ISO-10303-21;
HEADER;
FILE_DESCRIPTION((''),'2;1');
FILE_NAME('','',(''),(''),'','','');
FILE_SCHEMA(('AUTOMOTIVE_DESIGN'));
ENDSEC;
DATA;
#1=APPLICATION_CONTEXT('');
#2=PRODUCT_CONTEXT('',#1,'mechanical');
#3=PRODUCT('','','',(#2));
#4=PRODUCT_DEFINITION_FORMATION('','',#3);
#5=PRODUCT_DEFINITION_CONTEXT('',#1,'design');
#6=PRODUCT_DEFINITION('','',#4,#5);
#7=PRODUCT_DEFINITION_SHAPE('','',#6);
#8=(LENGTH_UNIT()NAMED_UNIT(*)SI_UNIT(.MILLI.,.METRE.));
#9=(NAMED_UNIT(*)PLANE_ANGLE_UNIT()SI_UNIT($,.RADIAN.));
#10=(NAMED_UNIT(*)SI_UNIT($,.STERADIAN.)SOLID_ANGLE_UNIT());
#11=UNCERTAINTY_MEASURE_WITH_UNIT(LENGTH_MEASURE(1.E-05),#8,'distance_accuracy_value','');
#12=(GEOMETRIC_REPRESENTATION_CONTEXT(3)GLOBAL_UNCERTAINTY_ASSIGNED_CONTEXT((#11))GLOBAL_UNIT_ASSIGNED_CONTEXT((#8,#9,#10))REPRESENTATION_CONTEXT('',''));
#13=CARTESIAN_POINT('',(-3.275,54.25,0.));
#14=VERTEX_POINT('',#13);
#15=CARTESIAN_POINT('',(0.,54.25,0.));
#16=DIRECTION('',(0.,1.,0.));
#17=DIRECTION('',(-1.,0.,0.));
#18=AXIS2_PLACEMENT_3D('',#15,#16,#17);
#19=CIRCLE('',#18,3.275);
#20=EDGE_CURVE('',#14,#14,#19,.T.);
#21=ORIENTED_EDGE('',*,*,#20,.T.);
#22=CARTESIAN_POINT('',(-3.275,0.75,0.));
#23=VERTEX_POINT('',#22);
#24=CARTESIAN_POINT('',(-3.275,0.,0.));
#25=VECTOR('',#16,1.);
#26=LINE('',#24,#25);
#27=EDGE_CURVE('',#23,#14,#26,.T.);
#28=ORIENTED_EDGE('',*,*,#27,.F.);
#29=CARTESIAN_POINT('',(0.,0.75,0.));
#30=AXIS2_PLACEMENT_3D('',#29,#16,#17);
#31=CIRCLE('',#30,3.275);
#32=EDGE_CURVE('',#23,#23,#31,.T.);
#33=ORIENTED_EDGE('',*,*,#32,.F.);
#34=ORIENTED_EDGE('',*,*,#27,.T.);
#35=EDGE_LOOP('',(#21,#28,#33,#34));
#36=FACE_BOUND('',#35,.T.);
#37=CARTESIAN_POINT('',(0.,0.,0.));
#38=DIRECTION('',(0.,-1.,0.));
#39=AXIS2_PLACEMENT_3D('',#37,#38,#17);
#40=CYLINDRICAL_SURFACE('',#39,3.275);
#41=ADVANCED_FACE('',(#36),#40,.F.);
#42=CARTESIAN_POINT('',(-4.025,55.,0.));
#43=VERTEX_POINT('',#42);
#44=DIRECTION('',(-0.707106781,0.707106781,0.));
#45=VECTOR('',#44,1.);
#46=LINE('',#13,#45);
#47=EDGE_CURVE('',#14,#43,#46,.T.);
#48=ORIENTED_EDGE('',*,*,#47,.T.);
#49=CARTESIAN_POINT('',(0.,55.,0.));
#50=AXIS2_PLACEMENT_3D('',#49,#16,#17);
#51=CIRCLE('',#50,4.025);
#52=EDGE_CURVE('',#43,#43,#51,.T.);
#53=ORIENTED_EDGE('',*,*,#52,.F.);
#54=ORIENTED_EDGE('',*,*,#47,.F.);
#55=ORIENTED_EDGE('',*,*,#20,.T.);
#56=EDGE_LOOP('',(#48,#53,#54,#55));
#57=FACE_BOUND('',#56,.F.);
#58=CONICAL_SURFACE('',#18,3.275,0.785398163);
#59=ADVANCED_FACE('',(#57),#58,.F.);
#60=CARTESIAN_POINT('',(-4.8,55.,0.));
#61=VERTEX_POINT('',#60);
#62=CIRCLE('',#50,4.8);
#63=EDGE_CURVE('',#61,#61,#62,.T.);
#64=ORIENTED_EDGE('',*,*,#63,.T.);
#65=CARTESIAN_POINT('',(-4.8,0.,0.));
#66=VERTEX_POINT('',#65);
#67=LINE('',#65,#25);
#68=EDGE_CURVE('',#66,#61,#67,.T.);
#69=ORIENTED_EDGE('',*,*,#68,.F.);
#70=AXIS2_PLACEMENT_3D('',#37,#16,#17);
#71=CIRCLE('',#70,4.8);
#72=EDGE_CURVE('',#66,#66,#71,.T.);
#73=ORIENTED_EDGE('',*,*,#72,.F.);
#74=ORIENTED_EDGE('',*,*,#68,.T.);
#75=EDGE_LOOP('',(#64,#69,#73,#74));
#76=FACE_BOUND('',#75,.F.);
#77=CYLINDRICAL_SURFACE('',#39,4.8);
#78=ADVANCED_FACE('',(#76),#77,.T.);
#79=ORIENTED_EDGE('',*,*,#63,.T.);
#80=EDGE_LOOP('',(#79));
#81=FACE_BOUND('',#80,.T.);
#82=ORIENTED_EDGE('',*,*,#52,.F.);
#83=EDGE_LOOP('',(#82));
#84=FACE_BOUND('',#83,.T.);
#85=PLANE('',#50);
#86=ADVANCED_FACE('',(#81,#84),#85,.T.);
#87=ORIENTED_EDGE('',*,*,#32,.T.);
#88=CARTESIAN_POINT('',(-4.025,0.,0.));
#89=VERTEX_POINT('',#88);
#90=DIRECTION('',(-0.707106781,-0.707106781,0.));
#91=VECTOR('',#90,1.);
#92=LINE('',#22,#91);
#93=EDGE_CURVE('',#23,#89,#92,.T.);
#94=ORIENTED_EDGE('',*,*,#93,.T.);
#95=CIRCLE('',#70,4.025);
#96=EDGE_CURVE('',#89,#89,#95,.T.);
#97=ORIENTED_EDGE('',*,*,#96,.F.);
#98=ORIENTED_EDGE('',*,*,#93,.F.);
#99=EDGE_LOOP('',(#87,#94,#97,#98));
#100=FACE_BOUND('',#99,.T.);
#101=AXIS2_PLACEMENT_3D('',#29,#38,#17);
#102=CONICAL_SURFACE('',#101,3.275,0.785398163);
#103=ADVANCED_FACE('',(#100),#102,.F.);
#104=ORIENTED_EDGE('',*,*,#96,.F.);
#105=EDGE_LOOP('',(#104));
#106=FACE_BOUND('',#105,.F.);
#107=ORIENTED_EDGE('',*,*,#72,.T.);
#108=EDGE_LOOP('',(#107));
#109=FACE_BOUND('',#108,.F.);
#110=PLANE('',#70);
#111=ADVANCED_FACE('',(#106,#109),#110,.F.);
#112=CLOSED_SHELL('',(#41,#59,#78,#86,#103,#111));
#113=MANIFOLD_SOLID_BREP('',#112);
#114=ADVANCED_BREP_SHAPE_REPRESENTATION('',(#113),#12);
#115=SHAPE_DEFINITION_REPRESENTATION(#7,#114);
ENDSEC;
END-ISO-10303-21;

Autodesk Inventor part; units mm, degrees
ref_plane "YZ Plane" through (0, 0, 0) normal (1, 0, 0) x (0, 1, 0)
ref_plane "XZ Plane" through (0, 0, 0) normal (0, 1, 0) x (-1, 0, 0)
ref_plane "XY Plane" through (0, 0, 0) normal (0, 0, 1) x (1, 0, 0)
sketch "Sketch1" plane through (0, 0, 0) normal (0, 1, 0) x (-1, 0, 0)
  circle A0 centre (0, 0) radius 3.275
  circle A1 centre (0, 0) radius 4.8
  dimension "d0" = 6.55
  dimension "d1" = 9.6
extrude "Extrusion1" add sketch "Sketch1" along normal blind 55
chamfer "Chamfer1" distance 0.75 angle 45 2 edges at (3.275, 55, 0) (3.275, 0, 0)
properties part number "Rod 3-8in" material "Stainless Steel"
